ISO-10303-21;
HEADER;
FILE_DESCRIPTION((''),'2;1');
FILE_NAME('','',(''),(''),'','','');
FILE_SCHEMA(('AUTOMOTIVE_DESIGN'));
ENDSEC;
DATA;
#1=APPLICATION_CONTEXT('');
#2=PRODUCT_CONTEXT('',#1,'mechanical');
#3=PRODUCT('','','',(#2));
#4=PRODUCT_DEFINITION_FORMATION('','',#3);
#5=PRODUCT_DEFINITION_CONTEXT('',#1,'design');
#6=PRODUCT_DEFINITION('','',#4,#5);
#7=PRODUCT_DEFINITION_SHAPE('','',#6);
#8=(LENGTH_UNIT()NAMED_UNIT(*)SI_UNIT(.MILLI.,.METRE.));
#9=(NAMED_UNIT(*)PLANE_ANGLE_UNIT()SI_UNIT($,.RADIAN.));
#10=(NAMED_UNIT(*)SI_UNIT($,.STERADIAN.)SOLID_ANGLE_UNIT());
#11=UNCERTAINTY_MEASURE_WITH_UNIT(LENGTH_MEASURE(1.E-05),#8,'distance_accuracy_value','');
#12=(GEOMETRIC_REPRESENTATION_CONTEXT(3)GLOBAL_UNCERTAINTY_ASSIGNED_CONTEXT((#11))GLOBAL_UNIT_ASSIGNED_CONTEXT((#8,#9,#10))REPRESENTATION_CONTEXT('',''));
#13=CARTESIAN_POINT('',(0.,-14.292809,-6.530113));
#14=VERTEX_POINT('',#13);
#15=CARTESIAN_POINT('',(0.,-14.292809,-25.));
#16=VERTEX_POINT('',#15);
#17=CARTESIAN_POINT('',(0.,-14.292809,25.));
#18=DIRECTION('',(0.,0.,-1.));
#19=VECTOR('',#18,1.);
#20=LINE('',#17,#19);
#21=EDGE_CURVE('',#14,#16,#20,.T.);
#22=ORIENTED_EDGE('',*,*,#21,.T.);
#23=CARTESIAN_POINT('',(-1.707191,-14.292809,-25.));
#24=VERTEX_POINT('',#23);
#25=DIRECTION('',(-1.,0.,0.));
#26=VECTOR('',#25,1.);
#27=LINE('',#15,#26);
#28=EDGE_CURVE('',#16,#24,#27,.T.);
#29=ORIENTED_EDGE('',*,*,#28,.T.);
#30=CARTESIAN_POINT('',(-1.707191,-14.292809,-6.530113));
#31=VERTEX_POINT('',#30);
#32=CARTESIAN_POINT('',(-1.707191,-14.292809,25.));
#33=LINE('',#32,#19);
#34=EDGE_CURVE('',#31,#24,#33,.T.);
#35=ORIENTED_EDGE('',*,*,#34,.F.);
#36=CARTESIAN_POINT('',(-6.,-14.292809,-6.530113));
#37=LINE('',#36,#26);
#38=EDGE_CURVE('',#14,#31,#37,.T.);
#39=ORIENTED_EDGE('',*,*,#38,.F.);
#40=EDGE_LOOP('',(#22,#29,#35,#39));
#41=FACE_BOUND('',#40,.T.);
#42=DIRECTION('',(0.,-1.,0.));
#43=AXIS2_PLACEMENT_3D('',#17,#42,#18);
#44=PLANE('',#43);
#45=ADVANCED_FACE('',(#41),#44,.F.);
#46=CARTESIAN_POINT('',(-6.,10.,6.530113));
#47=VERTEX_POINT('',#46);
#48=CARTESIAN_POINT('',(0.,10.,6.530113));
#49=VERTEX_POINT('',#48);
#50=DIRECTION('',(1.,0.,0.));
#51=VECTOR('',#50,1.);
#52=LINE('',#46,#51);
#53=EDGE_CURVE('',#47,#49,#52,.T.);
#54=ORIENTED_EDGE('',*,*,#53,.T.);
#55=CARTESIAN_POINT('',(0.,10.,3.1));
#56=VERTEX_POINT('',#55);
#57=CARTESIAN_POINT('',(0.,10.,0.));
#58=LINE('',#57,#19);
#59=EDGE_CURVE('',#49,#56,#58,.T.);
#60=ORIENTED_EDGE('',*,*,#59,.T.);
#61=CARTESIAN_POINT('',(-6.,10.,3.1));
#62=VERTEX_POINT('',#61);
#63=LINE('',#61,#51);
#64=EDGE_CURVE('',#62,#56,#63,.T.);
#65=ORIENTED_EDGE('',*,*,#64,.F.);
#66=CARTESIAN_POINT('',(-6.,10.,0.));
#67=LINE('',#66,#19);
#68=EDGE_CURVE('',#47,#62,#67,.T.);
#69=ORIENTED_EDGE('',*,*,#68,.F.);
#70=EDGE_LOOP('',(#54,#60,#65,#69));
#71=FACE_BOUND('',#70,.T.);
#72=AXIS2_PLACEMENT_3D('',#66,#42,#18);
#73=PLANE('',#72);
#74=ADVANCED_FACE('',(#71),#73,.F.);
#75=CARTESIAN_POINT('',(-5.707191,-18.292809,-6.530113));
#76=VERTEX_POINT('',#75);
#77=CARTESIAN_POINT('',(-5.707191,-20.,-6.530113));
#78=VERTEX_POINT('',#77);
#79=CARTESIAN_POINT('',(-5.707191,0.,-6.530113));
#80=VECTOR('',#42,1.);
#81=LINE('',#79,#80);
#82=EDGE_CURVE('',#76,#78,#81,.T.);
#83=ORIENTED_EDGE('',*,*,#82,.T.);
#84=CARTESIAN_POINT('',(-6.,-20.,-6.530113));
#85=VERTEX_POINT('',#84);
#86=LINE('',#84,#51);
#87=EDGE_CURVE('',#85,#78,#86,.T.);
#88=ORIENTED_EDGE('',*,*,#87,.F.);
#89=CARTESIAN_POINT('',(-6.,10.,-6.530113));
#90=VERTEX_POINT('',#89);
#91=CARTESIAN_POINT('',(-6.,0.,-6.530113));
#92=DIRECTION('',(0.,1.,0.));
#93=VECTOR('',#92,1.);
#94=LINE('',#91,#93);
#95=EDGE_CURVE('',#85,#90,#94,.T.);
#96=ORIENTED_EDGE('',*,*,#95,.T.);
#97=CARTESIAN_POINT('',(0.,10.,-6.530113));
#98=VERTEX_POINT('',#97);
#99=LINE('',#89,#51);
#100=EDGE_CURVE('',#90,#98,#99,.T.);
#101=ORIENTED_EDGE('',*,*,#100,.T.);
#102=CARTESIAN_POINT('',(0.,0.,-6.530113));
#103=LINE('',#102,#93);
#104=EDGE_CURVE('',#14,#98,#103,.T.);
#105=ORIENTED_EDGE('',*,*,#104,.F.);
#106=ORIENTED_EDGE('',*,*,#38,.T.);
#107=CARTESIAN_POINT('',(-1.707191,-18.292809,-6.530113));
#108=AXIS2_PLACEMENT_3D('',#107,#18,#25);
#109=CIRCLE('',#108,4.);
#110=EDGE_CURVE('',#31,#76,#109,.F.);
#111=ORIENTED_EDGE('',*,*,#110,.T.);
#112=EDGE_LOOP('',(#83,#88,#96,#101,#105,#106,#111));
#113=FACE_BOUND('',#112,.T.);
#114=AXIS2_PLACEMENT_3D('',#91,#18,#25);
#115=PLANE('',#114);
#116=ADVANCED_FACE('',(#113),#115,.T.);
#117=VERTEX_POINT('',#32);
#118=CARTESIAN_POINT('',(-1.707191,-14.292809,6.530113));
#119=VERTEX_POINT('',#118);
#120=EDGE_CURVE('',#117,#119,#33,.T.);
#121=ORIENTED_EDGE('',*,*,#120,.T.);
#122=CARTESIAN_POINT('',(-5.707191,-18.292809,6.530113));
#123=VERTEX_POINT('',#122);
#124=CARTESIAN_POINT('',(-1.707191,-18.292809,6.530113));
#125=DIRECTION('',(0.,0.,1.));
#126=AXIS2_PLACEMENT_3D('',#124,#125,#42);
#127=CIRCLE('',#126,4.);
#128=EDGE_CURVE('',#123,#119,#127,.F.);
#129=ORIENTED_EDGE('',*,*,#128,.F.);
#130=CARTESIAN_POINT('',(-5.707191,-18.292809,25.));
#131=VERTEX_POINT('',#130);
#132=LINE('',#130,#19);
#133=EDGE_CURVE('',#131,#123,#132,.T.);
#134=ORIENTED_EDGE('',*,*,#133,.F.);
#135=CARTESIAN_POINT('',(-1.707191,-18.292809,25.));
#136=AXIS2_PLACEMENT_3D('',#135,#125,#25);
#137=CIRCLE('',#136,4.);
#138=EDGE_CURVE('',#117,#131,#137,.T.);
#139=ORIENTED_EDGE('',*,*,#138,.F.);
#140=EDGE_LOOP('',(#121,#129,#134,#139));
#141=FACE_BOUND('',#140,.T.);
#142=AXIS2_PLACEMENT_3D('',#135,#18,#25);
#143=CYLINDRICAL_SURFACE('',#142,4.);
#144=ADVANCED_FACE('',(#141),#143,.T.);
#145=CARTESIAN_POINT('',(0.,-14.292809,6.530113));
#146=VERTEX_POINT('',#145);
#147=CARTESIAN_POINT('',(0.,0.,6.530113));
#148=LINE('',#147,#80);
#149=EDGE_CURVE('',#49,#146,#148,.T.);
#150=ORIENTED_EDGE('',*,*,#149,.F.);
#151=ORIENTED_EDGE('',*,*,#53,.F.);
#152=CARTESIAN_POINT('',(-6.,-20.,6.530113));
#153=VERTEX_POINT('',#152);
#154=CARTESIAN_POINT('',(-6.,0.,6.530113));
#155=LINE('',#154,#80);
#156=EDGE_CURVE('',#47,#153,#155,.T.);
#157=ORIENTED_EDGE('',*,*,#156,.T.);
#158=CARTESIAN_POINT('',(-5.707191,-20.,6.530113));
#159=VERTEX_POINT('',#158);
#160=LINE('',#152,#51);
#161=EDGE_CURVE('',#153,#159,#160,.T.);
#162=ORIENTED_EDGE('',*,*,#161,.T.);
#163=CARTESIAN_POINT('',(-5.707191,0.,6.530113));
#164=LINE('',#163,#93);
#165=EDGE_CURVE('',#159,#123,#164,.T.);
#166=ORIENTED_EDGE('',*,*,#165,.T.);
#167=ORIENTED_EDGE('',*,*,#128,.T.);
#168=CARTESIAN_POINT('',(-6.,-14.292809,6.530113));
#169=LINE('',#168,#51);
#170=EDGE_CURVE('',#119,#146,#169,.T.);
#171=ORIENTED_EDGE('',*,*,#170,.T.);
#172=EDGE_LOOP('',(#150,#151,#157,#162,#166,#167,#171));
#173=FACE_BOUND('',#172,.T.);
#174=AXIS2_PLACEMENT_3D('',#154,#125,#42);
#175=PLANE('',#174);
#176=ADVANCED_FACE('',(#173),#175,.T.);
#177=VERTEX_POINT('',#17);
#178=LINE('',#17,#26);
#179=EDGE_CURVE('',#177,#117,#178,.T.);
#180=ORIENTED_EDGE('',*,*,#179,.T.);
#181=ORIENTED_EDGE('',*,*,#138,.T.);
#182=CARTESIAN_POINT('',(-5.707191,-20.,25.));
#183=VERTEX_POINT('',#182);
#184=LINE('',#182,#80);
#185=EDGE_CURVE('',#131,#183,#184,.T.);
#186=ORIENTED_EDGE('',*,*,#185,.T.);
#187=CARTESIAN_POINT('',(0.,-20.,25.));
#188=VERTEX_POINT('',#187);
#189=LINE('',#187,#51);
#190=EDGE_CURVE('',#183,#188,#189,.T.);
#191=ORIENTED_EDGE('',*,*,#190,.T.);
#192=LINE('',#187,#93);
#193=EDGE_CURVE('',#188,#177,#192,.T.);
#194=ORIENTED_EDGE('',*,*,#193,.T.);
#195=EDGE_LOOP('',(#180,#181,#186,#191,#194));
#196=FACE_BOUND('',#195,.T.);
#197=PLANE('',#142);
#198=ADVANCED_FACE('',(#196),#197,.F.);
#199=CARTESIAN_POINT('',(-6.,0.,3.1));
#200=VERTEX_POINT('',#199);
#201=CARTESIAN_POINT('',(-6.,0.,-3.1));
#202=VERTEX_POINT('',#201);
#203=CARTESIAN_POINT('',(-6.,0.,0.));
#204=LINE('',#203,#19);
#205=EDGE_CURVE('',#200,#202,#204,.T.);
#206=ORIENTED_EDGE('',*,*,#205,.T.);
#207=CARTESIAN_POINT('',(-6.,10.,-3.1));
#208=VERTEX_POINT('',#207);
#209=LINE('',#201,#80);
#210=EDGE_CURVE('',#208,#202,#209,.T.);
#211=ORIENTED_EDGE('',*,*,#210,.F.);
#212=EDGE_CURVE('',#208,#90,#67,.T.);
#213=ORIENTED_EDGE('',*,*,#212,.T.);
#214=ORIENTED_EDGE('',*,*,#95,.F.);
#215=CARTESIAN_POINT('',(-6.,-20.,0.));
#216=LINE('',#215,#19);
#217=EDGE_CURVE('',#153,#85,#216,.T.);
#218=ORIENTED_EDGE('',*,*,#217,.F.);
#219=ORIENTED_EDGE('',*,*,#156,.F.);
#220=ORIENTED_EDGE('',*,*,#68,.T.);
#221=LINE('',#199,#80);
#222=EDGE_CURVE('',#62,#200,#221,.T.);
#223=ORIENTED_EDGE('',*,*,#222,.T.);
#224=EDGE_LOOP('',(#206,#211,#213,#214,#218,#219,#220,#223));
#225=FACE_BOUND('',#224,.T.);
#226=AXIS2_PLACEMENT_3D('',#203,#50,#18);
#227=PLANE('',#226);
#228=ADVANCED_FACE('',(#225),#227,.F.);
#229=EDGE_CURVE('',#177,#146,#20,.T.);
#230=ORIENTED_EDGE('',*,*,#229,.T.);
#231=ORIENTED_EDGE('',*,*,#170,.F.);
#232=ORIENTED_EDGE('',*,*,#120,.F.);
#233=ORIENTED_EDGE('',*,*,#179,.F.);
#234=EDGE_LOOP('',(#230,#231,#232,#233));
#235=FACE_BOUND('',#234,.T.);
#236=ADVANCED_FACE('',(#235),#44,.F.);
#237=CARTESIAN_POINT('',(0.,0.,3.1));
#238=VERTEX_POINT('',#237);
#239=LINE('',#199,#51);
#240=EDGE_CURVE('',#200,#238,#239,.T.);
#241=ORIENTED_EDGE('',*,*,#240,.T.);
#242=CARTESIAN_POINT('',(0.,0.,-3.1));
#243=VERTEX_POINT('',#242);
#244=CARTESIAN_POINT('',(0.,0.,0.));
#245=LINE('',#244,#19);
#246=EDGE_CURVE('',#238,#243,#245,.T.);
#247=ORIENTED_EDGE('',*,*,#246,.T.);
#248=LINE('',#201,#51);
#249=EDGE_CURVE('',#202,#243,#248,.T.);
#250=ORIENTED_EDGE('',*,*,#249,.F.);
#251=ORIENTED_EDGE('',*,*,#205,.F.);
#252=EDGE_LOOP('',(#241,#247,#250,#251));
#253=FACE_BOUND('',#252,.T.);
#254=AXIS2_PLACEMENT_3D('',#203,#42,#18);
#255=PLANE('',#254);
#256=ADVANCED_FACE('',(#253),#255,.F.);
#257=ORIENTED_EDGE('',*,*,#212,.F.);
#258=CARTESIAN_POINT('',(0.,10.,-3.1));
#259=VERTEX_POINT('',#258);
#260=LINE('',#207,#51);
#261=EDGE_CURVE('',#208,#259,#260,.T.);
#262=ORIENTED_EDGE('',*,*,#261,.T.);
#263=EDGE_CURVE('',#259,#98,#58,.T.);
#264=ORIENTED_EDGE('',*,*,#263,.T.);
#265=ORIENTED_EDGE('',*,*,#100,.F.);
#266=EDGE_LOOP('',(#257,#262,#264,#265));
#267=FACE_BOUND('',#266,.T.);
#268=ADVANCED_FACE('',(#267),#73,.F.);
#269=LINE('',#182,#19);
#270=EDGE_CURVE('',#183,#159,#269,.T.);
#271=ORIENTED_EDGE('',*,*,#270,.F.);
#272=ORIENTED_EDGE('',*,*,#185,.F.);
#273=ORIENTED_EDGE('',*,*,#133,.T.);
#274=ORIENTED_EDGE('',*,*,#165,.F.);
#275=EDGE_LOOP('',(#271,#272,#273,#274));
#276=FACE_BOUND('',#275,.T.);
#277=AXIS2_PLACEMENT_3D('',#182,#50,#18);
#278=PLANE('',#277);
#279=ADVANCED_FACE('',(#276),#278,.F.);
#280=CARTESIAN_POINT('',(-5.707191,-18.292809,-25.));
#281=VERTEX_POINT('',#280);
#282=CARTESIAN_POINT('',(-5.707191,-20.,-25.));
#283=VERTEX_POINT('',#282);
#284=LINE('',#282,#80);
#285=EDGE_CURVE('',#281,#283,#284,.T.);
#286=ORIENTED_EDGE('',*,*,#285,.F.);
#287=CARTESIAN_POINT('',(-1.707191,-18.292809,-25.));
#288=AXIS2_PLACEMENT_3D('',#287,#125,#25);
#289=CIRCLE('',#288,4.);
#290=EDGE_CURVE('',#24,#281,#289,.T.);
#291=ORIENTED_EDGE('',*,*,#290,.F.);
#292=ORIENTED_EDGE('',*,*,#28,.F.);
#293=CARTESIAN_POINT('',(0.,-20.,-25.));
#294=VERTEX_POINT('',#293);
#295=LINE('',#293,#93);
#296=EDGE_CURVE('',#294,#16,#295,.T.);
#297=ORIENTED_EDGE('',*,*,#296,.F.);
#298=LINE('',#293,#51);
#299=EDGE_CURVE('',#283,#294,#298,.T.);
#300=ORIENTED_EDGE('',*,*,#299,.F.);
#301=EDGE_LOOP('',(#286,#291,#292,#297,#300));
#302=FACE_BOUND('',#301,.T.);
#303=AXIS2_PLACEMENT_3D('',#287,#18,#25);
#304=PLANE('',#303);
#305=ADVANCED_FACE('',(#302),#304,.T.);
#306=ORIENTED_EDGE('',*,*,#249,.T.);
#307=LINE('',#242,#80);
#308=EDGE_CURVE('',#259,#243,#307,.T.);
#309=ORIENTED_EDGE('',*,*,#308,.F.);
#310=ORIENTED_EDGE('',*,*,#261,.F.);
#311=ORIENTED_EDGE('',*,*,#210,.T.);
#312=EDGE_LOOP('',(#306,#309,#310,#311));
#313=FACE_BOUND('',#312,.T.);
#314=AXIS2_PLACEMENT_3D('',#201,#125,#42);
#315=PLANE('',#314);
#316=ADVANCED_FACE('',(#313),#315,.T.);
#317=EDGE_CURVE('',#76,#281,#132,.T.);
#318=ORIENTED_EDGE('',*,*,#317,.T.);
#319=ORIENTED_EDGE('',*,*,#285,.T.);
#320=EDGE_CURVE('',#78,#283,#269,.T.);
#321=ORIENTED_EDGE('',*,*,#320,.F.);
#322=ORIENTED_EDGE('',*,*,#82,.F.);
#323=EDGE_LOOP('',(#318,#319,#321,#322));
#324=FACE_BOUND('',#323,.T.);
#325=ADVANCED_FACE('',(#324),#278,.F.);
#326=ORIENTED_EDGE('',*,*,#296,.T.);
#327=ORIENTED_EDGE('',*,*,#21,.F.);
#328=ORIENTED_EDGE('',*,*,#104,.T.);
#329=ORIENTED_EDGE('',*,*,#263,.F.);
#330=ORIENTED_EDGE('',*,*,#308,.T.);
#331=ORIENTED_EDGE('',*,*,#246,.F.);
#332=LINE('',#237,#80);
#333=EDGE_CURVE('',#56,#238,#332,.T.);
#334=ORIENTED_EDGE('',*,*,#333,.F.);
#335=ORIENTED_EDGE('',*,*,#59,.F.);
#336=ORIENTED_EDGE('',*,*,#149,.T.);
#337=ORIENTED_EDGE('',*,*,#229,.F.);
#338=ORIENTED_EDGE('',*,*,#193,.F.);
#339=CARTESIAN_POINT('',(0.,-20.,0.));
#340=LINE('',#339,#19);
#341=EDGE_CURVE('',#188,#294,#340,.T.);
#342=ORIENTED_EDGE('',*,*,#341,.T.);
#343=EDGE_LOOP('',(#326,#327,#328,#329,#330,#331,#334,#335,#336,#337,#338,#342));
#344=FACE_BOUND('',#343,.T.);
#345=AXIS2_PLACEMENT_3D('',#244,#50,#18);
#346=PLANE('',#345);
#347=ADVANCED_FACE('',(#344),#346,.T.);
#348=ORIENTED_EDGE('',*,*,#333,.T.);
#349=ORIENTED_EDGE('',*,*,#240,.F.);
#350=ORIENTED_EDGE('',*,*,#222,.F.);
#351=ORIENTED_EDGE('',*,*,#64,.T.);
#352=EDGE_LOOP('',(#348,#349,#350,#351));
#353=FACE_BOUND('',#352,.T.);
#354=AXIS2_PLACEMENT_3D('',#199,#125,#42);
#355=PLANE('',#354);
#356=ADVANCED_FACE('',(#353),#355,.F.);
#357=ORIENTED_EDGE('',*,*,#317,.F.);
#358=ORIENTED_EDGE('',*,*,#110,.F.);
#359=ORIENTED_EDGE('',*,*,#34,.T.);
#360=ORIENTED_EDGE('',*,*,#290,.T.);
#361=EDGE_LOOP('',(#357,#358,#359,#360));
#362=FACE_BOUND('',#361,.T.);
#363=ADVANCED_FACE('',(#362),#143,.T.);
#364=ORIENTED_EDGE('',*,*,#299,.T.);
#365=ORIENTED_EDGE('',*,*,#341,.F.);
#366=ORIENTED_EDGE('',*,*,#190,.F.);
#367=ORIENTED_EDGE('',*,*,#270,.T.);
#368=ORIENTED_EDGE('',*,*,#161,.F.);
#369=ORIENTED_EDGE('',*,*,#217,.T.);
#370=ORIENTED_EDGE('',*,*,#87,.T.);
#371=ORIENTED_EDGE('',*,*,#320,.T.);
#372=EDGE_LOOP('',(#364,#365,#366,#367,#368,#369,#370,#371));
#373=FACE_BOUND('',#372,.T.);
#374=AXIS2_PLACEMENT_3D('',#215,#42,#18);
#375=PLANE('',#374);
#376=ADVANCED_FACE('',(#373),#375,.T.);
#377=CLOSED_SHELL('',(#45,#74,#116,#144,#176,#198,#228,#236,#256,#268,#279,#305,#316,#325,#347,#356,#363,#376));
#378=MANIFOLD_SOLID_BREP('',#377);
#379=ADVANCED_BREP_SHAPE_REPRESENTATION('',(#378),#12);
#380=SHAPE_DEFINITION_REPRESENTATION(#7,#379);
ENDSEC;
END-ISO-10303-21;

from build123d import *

# Parameters (mm, degrees)
BOSS_EXTRUDE2_DEPTH      = 6
BOSS_EXTRUDE3_DEPTH      = 18.469887
BOSS_EXTRUDE3_DEPTH_BACK = 31.530113


with BuildPart() as part:
    # Sketch1 → Boss-Extrude2 (new body)
    with BuildSketch(Plane(origin=(0, 0, 0), x_dir=(0, 0, -1), z_dir=(1, 0, 0))):
        Polygon((-3.1, 0), (-3.1, 10), (-6.530112864, 10), (-6.530112864, -20), (6.530112864, -20), (6.530112864, 10), (3.1, 10), (3.1, 0), align=None)
    extrude(amount=-BOSS_EXTRUDE2_DEPTH)

    # Sketch2 → Boss-Extrude3 (add, two sides: drawn at the far end of the back side and taken through both)
    with BuildSketch(Plane.XY.offset(6.530112864).offset(-BOSS_EXTRUDE3_DEPTH_BACK)):
        with BuildLine():
            Line((0, -20), (-5.707191464, -20))
            Line((-5.707191464, -20), (-5.707191464, -18.292808536))
            ThreePointArc((-5.707191464, -18.292808536), (-4.535618589, -15.464381411), (-1.707191464, -14.292808536))
            Line((-1.707191464, -14.292808536), (0, -14.292808536))
            Line((0, -14.292808536), (0, -20))
        make_face()
    extrude(amount=BOSS_EXTRUDE3_DEPTH + BOSS_EXTRUDE3_DEPTH_BACK)


solid = part.part
